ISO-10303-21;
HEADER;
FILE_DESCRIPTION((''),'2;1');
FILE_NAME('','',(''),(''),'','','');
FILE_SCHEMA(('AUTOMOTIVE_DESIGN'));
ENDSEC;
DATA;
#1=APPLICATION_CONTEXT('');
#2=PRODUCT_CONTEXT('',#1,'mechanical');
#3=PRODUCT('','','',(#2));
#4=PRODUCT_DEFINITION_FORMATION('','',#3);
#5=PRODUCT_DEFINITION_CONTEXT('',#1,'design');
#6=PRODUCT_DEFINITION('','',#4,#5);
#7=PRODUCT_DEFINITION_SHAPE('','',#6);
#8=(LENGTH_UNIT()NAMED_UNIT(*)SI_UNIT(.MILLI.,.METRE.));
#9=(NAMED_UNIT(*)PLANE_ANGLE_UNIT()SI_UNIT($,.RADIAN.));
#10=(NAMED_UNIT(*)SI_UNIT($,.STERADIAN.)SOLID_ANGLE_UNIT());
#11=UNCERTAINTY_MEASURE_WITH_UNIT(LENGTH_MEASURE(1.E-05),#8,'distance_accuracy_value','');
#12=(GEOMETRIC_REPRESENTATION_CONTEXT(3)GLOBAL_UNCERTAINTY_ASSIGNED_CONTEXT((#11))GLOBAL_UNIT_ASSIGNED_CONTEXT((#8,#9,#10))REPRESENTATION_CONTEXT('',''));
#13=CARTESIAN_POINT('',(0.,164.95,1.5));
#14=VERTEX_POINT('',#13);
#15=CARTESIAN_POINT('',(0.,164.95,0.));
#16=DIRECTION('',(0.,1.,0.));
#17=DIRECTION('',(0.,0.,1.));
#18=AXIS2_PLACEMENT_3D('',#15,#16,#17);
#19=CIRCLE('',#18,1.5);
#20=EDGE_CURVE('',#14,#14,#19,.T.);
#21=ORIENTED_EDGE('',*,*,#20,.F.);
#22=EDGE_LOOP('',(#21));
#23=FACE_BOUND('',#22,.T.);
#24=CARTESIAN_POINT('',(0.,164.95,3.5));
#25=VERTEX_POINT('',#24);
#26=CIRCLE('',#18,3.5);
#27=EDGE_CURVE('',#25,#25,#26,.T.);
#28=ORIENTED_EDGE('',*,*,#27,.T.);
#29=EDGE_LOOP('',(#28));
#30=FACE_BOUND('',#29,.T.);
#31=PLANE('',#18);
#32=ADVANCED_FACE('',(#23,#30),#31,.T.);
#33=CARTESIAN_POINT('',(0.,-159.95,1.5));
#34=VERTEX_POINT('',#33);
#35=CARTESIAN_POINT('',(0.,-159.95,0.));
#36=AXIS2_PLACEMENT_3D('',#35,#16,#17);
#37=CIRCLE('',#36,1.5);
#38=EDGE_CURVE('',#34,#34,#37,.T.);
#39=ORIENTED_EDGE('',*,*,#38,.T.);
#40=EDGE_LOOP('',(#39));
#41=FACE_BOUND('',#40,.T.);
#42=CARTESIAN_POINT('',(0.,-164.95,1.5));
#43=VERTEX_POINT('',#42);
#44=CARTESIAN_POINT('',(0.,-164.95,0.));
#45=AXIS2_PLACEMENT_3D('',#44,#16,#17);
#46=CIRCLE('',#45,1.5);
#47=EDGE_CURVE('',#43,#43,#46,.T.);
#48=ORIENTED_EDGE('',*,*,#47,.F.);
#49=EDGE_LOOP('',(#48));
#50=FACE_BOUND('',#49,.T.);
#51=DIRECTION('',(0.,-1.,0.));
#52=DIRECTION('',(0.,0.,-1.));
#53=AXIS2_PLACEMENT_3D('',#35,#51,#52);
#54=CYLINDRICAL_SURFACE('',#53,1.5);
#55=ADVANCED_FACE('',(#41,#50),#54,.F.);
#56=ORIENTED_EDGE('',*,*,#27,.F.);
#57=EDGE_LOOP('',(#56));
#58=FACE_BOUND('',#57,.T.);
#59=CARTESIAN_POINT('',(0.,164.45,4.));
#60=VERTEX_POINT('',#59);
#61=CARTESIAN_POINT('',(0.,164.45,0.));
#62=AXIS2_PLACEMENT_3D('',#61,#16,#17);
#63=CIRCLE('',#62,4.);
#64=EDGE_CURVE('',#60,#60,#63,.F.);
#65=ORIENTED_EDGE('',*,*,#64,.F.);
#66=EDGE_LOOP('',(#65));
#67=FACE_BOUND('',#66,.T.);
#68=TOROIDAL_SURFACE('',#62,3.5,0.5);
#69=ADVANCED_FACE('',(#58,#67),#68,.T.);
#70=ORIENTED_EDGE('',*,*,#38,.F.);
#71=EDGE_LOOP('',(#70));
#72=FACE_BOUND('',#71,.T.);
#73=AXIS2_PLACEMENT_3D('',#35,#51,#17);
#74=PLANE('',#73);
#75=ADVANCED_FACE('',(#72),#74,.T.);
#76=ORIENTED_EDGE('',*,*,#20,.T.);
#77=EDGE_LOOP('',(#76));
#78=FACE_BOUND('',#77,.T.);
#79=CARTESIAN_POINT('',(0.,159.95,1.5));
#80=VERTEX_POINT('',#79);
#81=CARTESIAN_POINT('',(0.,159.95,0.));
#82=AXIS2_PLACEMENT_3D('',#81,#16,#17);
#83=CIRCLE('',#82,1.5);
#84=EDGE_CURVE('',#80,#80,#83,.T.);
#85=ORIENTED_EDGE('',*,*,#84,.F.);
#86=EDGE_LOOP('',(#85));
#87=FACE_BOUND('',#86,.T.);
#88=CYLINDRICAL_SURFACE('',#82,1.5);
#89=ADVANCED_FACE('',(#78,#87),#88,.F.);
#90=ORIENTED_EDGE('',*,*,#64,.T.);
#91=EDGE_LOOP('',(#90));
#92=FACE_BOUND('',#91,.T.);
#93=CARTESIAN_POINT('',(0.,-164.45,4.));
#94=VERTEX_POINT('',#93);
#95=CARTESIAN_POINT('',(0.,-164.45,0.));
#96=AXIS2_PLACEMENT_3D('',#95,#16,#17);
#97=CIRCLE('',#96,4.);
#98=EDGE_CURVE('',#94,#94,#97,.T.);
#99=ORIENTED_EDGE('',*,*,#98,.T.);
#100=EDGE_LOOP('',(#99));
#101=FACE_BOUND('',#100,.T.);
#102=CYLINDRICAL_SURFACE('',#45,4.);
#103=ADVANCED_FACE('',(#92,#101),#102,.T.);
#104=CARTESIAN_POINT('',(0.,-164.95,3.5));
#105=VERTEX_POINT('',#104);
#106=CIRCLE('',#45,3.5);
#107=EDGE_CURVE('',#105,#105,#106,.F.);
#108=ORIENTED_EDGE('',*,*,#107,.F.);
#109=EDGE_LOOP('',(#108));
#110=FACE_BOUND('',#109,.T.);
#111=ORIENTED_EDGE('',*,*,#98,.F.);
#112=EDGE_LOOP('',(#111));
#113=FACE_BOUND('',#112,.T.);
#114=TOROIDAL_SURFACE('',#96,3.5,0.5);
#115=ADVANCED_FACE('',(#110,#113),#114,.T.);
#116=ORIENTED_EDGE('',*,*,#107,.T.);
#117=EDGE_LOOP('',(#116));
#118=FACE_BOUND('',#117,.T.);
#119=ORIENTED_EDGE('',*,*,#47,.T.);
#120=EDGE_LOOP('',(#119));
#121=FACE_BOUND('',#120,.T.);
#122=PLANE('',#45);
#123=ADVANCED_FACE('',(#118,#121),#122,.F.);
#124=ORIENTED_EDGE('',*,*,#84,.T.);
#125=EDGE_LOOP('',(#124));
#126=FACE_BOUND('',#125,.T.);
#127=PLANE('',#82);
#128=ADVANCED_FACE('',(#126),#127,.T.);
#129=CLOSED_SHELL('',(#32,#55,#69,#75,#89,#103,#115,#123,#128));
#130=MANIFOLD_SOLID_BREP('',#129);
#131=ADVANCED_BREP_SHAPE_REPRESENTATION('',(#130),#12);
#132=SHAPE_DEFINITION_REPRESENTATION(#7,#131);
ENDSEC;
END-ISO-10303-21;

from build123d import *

# Parameters (mm, degrees)
EXTRUDE_1_DEPTH      = 164.95
EXTRUDE_1_DEPTH_BACK = 164.95
SKETCH_1_R           = 4
SKETCH_2_R           = 1.5
EXTRUDE_2_DEPTH      = 5
FILLET_1_R           = 0.5


with BuildPart() as part:
    # Эскиз1 → Выдавливание1 (new, two sides: drawn at the far end of the back side and taken through both)
    with BuildSketch(Plane(origin=(0, 0, 0), x_dir=(-1, 0, 0), z_dir=(0, 1, 0)).offset(-EXTRUDE_1_DEPTH_BACK)):
        with Locations(Location((0, 0, 0), (0, 0, 90))):
            Circle(SKETCH_1_R)
    extrude(amount=EXTRUDE_1_DEPTH + EXTRUDE_1_DEPTH_BACK)

    # Эскиз2 → Выдавливание2 (cut)
    with BuildSketch(Plane(origin=(0, 164.95, 0), x_dir=(-1, 0, 0), z_dir=(0, 1, 0))):
        with Locations(Location((0, 0, 0), (0, 0, 90))):
            Circle(SKETCH_2_R)
    extrude_2 = extrude(amount=-EXTRUDE_2_DEPTH, mode=Mode.SUBTRACT)

    # Зеркальное отражение1: Выдавливание2 across plane
    add(extrude_2.mirror(Plane.ZX), mode=Mode.SUBTRACT)

    # Сопряжение1
    fillet_1_edges = [part.edges().sort_by_distance(p)[0] for p in [
        (0, -164.95, -4),
        (0, 164.95, -4),
    ]]
    fillet(fillet_1_edges, radius=FILLET_1_R)


solid = part.part
